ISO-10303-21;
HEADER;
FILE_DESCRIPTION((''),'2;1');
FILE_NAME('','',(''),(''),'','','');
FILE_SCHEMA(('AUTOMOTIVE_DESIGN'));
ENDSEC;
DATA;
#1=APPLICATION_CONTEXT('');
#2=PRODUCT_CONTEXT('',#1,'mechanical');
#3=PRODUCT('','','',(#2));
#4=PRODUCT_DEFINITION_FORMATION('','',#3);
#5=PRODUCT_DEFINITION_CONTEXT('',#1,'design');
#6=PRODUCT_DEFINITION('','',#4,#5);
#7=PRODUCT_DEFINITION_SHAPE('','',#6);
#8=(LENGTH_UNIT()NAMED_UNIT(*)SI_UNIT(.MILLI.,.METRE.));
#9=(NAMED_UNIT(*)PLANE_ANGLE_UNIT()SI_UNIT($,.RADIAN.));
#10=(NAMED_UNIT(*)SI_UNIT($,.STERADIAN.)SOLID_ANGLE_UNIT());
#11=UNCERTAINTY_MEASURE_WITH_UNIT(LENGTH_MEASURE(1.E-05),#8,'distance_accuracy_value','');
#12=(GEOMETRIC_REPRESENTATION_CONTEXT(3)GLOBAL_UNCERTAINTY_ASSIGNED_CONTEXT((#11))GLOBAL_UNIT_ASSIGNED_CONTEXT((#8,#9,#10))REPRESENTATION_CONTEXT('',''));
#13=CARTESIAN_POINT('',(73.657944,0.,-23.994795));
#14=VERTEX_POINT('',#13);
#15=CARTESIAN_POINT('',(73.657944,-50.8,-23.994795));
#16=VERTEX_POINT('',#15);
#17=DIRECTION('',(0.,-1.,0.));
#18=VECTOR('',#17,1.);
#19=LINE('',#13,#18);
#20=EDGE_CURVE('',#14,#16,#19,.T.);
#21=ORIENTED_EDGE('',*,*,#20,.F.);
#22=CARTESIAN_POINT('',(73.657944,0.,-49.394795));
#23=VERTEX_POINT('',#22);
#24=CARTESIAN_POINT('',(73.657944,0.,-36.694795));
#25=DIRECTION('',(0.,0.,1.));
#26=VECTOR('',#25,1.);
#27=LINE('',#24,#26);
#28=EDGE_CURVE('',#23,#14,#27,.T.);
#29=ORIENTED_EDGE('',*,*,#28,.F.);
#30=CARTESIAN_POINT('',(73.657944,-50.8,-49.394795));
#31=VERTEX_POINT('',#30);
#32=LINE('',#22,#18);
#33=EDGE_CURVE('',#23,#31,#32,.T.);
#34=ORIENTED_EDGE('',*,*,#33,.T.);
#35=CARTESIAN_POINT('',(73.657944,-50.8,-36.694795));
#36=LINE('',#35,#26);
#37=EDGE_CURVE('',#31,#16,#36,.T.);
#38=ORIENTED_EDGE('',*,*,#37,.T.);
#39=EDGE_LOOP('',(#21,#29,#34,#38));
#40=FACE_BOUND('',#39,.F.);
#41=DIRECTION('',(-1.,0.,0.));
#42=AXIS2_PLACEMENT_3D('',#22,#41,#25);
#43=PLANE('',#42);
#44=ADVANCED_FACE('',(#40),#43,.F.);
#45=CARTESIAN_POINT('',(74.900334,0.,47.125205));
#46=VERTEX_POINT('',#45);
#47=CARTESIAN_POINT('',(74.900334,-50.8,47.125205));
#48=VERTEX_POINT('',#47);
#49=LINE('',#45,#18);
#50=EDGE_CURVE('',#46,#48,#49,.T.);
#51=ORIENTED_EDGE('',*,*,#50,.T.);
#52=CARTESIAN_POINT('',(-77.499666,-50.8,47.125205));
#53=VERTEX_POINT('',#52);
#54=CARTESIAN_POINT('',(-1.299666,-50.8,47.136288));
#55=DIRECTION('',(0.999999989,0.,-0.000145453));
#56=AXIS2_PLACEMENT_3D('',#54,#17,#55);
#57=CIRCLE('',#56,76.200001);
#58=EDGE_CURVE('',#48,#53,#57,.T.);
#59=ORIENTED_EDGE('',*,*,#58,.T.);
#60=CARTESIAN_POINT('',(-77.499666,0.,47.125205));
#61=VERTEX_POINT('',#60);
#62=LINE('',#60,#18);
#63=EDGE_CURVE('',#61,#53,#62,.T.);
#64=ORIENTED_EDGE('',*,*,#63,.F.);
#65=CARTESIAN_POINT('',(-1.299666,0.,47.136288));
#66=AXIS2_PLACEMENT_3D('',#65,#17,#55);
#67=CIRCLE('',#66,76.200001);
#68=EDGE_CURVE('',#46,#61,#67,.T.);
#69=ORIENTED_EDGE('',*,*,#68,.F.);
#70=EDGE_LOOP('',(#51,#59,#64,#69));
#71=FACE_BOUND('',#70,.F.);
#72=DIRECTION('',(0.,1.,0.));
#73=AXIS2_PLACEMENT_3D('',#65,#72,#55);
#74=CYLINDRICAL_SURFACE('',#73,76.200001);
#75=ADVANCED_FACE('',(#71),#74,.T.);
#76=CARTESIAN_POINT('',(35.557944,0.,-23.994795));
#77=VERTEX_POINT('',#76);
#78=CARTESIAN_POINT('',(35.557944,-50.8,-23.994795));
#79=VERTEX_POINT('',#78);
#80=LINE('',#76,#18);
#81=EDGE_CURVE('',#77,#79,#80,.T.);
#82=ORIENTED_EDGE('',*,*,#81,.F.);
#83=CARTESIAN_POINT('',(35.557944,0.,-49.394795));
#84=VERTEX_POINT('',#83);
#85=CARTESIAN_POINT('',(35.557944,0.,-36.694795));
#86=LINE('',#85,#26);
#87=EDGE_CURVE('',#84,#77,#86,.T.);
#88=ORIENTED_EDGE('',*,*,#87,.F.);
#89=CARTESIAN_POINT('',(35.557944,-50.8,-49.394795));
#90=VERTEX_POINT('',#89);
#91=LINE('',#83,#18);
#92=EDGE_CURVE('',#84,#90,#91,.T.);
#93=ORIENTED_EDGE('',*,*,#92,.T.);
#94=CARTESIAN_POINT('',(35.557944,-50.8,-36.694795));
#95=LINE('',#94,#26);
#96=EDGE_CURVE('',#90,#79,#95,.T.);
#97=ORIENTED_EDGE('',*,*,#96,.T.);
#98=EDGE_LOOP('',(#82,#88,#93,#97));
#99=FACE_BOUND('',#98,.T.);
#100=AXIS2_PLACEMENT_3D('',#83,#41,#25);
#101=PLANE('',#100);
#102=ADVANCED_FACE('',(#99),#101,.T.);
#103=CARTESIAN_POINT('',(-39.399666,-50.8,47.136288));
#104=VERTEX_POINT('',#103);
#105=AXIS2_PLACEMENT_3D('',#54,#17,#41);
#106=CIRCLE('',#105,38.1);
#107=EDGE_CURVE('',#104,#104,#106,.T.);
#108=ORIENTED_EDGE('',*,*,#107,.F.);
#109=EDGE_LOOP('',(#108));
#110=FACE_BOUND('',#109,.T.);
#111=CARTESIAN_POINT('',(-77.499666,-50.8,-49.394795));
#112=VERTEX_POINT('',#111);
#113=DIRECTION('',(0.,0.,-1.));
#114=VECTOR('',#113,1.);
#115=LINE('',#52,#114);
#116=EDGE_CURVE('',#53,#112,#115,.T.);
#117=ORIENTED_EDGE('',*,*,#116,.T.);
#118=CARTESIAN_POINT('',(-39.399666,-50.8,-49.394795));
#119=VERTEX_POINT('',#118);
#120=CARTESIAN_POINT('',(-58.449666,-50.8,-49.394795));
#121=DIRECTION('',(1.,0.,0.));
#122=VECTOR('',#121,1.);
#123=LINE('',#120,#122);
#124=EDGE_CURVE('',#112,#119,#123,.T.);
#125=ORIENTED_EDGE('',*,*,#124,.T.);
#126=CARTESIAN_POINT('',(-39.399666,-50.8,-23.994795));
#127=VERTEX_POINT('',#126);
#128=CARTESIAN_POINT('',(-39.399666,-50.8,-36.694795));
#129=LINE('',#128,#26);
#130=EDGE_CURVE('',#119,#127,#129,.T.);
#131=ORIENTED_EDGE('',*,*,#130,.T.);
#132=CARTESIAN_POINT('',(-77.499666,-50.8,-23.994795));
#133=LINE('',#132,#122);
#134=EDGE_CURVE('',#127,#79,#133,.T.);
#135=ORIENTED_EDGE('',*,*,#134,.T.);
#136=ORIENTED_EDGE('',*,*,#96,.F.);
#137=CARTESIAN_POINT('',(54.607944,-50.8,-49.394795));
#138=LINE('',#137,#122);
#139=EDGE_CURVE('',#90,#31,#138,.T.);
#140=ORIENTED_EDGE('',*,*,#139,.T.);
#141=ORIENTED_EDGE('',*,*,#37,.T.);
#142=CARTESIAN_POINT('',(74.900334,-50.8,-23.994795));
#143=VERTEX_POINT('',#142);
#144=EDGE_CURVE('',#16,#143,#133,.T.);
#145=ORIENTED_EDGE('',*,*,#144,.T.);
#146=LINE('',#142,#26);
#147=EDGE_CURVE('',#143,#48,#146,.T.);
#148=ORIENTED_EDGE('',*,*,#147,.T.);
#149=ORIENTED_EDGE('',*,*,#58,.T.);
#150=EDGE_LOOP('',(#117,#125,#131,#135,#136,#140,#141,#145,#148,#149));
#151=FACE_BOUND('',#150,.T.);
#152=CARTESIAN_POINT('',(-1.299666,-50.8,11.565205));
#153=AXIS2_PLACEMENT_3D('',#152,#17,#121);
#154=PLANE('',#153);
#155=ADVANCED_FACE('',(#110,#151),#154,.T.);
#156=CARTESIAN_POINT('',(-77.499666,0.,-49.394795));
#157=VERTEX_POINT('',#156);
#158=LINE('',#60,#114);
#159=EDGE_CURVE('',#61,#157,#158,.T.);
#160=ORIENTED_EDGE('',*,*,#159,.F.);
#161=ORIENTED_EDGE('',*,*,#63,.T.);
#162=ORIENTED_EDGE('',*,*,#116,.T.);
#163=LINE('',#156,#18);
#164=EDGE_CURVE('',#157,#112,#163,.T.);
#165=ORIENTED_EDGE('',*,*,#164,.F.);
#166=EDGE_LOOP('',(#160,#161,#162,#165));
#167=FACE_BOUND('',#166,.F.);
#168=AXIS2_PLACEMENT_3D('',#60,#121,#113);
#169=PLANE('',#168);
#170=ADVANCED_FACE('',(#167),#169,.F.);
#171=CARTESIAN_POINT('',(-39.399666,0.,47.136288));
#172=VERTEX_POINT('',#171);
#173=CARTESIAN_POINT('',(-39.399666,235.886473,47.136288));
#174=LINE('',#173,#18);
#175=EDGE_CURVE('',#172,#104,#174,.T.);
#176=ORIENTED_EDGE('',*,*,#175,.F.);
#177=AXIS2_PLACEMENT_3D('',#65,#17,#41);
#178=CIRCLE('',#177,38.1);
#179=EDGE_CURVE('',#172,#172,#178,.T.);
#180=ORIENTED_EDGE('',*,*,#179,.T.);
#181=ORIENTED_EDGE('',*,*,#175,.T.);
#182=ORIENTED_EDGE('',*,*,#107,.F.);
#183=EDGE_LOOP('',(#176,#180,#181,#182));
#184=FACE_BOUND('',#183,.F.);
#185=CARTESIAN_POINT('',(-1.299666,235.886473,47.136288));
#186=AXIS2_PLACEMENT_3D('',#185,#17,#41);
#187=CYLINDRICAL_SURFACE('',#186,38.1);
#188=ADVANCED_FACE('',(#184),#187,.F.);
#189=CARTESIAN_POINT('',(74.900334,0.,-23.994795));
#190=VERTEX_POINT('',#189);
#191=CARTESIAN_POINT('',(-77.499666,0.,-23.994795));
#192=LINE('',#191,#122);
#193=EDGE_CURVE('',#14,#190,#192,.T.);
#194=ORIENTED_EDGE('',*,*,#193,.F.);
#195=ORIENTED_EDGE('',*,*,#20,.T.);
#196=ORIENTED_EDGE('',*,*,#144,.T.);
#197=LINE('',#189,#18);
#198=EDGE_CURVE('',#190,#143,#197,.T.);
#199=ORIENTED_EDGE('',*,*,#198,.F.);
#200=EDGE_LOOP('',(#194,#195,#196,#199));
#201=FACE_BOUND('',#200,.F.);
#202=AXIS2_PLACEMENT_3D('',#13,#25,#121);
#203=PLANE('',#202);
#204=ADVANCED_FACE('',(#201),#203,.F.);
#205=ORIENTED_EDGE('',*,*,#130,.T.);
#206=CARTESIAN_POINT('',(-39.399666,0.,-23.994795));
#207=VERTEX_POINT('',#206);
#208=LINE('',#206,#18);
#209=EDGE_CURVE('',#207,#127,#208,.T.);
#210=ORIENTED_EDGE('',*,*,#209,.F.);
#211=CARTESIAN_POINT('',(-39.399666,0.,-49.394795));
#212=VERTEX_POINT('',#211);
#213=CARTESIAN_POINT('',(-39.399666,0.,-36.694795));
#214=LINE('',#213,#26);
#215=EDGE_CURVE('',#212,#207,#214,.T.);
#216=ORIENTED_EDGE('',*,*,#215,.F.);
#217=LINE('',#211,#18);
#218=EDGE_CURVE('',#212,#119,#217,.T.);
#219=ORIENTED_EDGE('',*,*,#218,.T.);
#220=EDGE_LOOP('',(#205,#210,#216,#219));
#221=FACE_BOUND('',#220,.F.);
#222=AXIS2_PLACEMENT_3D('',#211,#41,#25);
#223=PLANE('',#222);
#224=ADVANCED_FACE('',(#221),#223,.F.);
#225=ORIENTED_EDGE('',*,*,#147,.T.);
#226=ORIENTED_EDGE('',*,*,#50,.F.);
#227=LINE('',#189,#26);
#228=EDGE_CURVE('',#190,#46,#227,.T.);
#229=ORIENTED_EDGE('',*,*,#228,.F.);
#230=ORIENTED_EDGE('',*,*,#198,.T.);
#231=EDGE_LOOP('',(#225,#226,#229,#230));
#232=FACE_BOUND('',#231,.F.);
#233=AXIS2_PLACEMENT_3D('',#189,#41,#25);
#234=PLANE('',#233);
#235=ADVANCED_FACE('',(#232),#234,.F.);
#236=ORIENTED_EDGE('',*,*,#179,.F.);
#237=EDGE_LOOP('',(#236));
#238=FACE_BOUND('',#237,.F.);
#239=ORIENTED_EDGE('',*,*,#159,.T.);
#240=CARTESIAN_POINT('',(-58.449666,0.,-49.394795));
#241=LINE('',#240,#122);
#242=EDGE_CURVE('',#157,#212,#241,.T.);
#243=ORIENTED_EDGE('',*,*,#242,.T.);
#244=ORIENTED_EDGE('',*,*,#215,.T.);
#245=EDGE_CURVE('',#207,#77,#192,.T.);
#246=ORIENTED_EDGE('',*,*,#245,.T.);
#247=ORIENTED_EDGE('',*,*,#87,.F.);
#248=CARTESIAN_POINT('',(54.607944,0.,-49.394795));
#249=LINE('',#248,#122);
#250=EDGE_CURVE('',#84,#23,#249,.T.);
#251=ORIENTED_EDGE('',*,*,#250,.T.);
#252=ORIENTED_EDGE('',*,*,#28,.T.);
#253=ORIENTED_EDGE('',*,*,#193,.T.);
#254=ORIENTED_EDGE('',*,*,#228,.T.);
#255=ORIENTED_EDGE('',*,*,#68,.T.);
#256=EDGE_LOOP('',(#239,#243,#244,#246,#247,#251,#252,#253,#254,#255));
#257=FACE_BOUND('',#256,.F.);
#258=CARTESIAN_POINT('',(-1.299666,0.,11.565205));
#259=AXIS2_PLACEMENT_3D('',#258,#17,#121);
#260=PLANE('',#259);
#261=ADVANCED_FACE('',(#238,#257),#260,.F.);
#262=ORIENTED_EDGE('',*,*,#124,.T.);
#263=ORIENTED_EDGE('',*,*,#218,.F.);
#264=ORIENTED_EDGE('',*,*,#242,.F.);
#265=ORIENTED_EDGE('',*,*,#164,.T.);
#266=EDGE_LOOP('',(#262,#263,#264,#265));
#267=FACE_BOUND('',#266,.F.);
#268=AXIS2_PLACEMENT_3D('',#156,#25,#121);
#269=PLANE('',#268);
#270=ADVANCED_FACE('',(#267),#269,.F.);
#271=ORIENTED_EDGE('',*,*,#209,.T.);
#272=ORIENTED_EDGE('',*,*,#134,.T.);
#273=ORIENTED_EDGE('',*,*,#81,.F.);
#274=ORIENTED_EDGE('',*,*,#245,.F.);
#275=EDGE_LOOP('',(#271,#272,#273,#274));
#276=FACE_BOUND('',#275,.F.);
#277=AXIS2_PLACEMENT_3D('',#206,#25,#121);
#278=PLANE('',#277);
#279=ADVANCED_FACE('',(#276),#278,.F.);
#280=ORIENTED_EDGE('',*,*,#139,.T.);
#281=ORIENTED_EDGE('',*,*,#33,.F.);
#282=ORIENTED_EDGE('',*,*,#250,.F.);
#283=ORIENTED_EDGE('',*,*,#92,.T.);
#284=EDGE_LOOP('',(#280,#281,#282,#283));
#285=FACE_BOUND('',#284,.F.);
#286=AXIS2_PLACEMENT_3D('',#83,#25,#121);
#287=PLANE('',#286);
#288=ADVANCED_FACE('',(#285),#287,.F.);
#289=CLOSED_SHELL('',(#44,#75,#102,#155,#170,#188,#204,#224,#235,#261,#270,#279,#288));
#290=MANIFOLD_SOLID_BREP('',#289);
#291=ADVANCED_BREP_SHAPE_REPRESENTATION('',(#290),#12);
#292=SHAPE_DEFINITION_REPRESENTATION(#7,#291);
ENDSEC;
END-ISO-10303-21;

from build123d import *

# Parameters (mm, degrees)
F0_W     = 38.1
F0_H     = 25.4
F1_DEPTH = 50.8
F2_D     = 76.2


with BuildPart() as f1:
    # F0 (on Front) → F1 (new body)
    with BuildSketch(Plane.XZ):
        Polygon((-77.4996658967, 47.1252045367), (-77.4996658967, -23.9947954633), (-39.3996658967, -23.9947954633), (0.9780525733, -23.9947954633), (35.5579441879, -23.9947954633), (73.6579441879, -23.9947954633), (74.9003341033, -23.9947954633), (74.9003341033, 47.1252045367), (0, 47.1252045367), align=None)
        with Locations((-58.4496658967, -36.6947954633)):
            Rectangle(F0_W, F0_H)
        with BuildLine():
            ThreePointArc((0, 123.3252045367), (-54.7236774664, 101.4714986736), (-77.4996658967, 47.1252045367))
            Line((-77.4996658967, 47.1252045367), (0, 47.1252045367))
            Line((0, 47.1252045367), (0, 123.3252045367))
        make_face()
        with BuildLine():
            Line((0, 123.3252045367), (0, 47.1252045367))
            Line((0, 47.1252045367), (74.9003341033, 47.1252045367))
            ThreePointArc((74.9003341033, 47.1252045367), (53.0433148232, 100.5523958466), (0, 123.3252045367))
        make_face()
        with Locations((54.6079441879, -36.6947954633)):
            Rectangle(F0_W, F0_H)
    extrude(amount=F1_DEPTH)

    # F2 (through all)
    with Locations(Plane(origin=(0, 0, 0), x_dir=(1, 0, 0), z_dir=(0, 1, 0))):
        with Locations((-1.2996658967, -47.1362880764)):
            Hole(F2_D / 2)


solid = f1.part
